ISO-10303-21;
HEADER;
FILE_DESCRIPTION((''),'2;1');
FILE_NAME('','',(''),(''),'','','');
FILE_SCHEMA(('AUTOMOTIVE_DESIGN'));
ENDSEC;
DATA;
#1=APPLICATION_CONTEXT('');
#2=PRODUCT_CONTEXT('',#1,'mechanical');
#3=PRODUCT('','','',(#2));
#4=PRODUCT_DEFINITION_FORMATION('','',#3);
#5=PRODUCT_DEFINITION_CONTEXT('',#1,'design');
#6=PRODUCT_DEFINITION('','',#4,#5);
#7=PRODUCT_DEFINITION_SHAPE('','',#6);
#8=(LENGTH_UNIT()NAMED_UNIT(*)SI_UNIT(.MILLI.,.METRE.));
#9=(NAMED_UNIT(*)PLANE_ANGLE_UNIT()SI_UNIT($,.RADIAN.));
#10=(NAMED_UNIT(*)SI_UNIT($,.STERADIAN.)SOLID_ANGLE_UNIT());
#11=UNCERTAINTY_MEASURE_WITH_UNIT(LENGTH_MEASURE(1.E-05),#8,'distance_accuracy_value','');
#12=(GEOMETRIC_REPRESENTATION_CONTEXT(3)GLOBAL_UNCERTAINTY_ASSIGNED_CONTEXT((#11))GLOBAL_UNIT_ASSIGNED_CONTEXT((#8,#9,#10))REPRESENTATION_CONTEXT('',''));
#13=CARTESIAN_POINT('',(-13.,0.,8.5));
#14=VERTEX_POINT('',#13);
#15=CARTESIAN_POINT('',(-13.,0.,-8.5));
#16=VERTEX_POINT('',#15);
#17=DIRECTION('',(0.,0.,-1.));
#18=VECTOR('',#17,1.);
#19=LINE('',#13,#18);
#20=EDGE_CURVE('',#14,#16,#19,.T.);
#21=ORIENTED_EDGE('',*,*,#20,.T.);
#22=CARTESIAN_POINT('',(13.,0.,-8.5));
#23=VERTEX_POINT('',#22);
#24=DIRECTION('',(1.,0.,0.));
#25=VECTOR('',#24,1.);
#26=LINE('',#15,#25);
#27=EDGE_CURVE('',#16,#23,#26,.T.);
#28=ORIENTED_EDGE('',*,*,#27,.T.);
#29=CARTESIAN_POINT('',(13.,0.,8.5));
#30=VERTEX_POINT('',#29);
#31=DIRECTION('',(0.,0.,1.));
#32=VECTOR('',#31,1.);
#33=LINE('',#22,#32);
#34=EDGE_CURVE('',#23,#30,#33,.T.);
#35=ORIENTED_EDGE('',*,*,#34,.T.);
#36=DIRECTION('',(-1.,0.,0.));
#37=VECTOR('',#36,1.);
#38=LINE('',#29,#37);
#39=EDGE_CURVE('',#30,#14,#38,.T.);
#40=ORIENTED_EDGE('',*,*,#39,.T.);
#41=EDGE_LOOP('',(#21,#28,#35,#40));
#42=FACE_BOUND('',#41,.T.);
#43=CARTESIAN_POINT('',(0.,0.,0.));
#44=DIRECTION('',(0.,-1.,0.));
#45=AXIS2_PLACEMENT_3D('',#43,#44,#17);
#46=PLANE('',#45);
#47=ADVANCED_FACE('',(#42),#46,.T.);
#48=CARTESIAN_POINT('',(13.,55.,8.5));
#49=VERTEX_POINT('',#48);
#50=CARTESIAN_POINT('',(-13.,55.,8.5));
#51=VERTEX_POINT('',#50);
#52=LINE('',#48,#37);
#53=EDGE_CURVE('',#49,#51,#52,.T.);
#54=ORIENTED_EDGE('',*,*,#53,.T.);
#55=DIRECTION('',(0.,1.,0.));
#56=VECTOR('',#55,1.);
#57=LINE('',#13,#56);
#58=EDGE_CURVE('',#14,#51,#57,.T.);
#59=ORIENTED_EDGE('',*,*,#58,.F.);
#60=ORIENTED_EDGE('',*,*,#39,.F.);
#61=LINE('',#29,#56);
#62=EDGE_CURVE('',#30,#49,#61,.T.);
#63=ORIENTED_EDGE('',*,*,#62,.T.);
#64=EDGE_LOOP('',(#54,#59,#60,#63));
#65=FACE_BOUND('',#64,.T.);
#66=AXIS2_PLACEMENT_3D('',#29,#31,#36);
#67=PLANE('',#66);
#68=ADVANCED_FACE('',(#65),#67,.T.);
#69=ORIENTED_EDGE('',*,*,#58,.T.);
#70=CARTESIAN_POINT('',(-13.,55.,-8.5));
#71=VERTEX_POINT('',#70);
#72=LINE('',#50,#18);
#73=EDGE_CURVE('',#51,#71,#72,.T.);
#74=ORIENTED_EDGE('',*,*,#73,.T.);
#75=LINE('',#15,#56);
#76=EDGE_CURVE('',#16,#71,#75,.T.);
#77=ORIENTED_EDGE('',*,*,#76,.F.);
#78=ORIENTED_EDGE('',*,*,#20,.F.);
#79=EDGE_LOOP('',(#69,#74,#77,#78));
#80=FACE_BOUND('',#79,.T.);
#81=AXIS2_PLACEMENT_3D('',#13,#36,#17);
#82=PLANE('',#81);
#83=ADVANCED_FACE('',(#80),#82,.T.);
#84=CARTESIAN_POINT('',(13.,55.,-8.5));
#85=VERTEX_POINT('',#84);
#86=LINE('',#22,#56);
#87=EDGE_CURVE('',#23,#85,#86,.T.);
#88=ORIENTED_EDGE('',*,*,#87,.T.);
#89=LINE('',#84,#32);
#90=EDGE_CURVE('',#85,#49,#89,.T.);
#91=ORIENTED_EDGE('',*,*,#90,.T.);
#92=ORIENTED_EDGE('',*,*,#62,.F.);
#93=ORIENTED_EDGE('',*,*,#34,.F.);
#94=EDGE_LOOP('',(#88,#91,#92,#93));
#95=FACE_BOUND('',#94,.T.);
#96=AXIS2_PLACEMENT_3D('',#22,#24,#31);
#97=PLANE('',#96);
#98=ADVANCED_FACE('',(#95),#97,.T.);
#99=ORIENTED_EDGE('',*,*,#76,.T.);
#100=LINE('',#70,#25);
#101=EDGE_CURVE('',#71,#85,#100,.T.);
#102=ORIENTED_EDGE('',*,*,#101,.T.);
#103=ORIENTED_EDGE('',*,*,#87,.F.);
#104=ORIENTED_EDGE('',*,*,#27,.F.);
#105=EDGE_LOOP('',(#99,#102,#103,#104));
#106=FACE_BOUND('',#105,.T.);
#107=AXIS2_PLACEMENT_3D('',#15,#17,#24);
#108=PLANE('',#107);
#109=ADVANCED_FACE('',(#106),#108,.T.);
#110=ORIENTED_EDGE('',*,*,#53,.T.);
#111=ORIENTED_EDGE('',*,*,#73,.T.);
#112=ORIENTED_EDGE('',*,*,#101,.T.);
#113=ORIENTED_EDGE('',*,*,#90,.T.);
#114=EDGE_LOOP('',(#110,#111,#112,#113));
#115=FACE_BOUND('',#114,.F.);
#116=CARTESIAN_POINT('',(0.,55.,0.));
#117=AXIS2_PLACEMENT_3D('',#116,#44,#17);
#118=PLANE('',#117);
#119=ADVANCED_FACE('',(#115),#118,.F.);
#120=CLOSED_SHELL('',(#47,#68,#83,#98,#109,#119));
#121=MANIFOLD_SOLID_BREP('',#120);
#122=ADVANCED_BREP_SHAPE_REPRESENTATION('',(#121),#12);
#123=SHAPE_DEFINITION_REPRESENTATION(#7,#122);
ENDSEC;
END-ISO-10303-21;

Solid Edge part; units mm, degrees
sketch "Sketch1" plane through (0, 0, 0) normal (0, -1, 0) x (1, 0, 0)
  line L0 (-13, -8.5) -> (13, -8.5)
  line L1 (13, -8.5) -> (13, 8.5)
  line L2 (13, 8.5) -> (-13, 8.5)
  line L3 (-13, 8.5) -> (-13, -8.5)
extrude "Protrusion1" add sketch "Sketch1" against normal blind 55
